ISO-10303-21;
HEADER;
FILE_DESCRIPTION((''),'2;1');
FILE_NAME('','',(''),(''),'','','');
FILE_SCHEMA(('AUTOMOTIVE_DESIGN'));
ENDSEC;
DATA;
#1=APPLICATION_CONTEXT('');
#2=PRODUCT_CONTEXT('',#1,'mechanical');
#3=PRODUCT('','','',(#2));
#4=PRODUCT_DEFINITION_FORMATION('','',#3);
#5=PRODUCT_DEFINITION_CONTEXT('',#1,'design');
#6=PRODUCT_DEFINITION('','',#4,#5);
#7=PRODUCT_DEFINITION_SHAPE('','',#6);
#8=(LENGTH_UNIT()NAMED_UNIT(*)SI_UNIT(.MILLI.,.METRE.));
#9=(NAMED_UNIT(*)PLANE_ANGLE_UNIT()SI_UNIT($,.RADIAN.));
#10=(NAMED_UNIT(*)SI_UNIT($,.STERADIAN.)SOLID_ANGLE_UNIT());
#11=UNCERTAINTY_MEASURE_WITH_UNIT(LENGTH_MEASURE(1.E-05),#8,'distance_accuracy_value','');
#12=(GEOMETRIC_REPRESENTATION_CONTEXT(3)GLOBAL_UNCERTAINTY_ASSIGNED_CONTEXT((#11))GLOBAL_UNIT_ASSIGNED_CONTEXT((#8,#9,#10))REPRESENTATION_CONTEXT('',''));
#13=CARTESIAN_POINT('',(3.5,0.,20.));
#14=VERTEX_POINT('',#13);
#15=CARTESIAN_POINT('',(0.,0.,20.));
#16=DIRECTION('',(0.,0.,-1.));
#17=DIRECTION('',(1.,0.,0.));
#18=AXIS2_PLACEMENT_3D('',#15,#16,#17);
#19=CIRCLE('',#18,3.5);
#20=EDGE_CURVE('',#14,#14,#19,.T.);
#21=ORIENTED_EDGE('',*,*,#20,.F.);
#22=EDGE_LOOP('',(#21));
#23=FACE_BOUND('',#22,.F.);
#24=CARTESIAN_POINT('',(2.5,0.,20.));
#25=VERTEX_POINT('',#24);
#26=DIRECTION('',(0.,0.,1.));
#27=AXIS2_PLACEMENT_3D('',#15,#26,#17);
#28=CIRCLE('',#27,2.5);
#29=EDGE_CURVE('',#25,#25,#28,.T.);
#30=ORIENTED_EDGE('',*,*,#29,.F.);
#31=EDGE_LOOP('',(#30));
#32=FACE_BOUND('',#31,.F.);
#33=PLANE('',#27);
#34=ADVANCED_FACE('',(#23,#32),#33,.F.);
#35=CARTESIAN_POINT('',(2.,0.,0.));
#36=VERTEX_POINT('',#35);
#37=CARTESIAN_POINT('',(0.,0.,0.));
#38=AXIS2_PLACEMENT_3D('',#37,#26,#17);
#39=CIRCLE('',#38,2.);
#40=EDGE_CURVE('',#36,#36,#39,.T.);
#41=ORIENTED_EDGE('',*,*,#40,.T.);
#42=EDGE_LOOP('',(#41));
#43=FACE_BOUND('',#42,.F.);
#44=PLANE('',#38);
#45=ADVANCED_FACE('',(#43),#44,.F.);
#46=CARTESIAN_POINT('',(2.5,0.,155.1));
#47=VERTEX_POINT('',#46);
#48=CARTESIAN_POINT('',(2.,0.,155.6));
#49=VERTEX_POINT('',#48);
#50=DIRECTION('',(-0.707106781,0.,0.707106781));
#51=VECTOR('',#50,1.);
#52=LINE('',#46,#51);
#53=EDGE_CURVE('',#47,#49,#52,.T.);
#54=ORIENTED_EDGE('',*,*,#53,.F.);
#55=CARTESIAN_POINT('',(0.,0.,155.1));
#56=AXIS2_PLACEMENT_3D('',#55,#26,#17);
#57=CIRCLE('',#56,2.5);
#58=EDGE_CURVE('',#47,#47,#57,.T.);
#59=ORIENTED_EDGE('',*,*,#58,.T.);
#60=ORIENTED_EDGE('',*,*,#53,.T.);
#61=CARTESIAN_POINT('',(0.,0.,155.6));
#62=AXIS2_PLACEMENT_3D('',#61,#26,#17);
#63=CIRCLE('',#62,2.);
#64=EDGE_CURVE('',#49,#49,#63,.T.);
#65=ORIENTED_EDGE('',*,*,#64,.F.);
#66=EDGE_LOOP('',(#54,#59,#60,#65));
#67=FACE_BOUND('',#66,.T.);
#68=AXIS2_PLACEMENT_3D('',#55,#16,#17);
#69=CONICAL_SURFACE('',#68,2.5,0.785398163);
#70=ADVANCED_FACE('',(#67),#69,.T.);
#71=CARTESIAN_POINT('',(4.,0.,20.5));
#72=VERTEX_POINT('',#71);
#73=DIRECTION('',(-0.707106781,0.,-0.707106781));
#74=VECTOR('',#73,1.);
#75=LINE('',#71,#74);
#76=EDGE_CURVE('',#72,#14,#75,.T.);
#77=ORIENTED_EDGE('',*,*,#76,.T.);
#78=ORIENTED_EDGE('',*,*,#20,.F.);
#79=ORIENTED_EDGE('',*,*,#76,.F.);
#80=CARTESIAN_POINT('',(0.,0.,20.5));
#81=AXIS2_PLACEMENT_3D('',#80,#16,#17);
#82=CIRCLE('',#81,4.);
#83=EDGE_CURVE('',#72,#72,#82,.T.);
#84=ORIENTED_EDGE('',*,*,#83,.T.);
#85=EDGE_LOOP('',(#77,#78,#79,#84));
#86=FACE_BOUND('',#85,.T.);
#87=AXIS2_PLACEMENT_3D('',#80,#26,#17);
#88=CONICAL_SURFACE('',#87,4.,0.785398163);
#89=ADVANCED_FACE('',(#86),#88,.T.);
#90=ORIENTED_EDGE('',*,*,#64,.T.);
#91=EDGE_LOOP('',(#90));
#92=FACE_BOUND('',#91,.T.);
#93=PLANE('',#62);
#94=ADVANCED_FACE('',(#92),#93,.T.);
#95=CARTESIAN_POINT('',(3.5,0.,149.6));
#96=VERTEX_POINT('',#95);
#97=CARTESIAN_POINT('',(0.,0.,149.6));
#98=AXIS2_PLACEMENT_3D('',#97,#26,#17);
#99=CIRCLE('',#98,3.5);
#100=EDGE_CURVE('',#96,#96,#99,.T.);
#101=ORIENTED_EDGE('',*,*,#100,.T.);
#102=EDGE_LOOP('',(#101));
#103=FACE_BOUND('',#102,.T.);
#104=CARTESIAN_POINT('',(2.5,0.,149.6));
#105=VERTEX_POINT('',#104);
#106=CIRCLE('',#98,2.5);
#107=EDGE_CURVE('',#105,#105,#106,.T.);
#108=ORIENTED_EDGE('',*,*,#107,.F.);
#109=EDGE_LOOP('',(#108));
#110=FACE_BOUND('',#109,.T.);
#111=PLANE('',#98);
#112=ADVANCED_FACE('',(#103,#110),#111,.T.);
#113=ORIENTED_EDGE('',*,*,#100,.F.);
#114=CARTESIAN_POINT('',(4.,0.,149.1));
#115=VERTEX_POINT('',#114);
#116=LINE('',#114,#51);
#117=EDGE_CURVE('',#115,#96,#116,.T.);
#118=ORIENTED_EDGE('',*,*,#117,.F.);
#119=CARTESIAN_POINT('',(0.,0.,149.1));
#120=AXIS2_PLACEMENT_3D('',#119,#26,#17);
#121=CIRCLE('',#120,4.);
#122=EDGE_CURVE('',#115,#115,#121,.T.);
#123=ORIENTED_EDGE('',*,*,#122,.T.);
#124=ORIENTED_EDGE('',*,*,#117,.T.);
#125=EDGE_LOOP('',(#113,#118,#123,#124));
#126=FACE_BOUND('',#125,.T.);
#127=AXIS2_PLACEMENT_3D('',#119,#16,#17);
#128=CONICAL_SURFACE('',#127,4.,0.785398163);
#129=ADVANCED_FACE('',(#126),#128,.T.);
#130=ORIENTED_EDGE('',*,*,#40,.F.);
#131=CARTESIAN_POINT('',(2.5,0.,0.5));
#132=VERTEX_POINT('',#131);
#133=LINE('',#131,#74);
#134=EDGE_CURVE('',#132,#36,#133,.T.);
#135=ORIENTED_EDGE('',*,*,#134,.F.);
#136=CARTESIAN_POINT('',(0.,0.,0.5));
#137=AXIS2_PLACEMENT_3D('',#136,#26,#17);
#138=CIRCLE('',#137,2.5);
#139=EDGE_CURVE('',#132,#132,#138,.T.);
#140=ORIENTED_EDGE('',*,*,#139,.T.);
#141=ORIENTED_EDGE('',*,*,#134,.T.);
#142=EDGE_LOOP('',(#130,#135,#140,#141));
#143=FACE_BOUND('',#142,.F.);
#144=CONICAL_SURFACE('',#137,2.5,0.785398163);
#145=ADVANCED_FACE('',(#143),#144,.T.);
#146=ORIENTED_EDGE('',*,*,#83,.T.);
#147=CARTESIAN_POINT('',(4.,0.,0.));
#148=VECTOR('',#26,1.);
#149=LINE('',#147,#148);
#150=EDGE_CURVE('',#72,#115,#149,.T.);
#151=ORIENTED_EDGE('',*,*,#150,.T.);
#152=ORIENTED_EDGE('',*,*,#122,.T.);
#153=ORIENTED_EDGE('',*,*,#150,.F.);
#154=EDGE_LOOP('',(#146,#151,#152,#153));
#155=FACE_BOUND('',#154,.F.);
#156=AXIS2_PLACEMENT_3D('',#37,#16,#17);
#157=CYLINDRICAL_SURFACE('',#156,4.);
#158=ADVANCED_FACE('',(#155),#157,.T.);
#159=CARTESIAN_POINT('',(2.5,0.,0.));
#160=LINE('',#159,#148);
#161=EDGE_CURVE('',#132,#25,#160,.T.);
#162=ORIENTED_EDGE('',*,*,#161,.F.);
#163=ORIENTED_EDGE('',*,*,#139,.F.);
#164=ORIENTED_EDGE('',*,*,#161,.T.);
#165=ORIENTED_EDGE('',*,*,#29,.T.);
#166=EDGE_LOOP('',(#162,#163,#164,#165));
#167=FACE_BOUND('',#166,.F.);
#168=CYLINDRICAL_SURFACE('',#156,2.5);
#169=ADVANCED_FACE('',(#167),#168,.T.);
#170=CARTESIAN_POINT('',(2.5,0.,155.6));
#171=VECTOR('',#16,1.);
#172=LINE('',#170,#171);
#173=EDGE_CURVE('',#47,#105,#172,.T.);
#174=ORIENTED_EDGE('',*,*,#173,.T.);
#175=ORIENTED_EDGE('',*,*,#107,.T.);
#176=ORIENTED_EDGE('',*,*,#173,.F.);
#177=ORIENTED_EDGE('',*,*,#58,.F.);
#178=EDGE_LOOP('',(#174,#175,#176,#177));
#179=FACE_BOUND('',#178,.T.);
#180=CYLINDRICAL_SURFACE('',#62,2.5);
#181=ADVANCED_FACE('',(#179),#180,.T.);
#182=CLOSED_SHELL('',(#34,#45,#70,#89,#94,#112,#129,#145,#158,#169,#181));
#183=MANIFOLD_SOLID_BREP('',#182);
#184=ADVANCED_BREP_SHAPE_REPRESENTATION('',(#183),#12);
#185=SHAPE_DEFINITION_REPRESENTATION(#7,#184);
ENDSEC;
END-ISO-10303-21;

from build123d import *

# Parameters (mm, degrees)
F0_R     = 4
F1_DEPTH = 155.6
F2_R     = 6.5
F2_R_2   = 2.5
F3_DEPTH = 20
F4_R     = 4
F4_R_2   = 2.5
F5_DEPTH = 6
F6_SIZE  = 0.5


with BuildPart() as f1:
    # F0 (on Top) → F1 (new body)
    with BuildSketch(Plane.XY):
        Circle(F0_R)
    extrude(amount=F1_DEPTH)

    # F2 (on Top) → F3 (cut)
    with BuildSketch(Plane.XY):
        Circle(F2_R)
        Circle(F2_R_2, mode=Mode.SUBTRACT)
    extrude(amount=F3_DEPTH, mode=Mode.SUBTRACT)

    # F4 (on face) → F5 (cut)
    with BuildSketch(Plane.XY.offset(155.6)):
        Circle(F4_R)
        Circle(F4_R_2, mode=Mode.SUBTRACT)
    extrude(amount=-F5_DEPTH, mode=Mode.SUBTRACT)

    # F6
    f6_edges = [f1.edges().sort_by_distance(p)[0] for p in [
        (-2.5, 0, 0),
        (-4, 0, 20),
        (-4, 0, 149.6),
        (-2.5, 0, 155.6),
    ]]
    chamfer(f6_edges, length=F6_SIZE)


solid = f1.part
